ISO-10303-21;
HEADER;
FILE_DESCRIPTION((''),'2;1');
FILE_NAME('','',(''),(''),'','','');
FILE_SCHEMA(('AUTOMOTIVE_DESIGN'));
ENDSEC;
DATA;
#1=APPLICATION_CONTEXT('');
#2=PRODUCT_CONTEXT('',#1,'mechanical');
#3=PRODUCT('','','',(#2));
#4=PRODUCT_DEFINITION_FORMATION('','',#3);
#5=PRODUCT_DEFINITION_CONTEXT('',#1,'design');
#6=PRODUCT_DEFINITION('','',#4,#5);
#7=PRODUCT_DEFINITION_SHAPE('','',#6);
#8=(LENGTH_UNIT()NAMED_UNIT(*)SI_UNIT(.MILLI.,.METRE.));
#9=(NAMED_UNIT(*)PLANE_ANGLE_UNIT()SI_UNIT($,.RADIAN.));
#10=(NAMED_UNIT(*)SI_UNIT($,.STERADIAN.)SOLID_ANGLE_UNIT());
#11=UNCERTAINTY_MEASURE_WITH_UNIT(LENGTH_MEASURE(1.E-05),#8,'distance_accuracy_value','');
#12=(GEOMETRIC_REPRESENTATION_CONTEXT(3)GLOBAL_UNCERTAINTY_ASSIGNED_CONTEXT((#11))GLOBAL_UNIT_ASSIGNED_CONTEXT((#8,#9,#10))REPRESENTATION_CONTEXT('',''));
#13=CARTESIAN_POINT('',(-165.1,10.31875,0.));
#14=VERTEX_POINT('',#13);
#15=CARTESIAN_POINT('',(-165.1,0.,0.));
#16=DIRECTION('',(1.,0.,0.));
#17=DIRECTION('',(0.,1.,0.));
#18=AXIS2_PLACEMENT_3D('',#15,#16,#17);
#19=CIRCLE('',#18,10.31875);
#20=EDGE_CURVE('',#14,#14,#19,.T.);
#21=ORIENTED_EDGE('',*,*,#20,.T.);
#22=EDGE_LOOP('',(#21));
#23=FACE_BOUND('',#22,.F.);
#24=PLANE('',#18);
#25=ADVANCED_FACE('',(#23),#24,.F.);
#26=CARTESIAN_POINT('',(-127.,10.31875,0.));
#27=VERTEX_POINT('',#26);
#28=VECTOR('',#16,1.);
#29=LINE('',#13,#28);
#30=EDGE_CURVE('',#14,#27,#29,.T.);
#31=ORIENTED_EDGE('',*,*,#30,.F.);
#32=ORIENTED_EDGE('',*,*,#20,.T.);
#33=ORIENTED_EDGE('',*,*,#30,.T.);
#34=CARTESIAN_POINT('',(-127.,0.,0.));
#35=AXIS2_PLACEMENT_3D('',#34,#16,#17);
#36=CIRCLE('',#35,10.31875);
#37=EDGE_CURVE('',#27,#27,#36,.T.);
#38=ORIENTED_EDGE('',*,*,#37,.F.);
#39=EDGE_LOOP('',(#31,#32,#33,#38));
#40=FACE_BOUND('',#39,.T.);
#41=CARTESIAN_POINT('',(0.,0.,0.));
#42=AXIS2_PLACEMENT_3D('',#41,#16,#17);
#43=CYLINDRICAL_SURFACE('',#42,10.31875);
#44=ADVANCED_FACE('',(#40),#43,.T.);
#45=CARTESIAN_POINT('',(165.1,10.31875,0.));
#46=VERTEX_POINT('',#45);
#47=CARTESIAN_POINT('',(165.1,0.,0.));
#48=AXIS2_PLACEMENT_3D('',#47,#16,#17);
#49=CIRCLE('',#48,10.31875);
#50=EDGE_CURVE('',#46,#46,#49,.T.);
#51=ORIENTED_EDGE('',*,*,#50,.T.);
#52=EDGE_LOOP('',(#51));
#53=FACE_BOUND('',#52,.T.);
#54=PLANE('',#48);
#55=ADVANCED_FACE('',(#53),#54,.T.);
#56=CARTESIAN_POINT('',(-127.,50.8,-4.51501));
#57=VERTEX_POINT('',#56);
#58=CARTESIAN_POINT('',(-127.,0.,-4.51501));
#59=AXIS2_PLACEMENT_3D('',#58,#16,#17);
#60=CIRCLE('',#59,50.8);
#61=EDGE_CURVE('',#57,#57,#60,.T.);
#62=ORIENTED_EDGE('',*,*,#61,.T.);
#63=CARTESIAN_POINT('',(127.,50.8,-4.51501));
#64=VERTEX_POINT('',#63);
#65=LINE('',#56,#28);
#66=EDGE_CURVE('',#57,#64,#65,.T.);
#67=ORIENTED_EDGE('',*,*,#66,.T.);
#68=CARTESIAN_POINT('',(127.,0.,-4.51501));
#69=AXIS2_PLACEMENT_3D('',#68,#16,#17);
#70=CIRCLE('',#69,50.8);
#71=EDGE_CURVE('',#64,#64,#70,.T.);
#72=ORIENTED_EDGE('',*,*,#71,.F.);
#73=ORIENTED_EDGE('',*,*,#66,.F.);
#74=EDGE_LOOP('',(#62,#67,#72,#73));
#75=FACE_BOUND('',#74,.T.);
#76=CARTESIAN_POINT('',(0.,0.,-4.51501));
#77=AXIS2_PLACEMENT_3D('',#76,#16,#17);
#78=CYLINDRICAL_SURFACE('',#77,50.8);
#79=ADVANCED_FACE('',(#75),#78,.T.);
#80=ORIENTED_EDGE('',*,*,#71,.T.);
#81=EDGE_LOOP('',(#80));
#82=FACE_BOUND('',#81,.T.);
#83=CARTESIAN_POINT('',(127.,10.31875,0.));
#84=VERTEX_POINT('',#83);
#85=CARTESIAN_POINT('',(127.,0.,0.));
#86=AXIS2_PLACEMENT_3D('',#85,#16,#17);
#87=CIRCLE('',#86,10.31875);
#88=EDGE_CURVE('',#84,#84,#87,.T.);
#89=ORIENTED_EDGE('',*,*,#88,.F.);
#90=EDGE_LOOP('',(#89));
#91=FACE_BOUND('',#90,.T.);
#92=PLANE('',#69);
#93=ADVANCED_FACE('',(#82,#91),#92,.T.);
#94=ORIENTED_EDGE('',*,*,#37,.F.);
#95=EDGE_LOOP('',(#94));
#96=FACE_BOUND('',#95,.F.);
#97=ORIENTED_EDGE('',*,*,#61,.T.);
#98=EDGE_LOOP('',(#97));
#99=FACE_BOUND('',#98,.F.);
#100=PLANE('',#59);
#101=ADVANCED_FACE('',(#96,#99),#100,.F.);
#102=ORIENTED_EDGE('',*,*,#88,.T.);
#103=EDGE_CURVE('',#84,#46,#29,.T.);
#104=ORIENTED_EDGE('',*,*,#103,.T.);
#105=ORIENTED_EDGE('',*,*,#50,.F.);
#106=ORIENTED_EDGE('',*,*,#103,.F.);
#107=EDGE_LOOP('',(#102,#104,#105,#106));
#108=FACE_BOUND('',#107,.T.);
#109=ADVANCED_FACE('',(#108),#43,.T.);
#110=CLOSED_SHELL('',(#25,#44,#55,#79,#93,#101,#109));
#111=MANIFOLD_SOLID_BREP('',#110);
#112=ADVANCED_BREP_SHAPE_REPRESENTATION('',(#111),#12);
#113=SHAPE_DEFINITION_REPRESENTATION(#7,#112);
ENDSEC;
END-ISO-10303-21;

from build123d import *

# Parameters (mm, degrees)
F0_R     = 10.31875
F1_DEPTH = 165.1
F2_R     = 50.8
F3_DEPTH = 127


with BuildPart() as f1:
    # F0 (on Right) → F1 (new body, symmetric)
    with BuildSketch(Plane.YZ):
        Circle(F0_R)
    extrude(amount=F1_DEPTH, both=True)

    # F2 (on Right) → F3 (join, symmetric)
    with BuildSketch(Plane.YZ):
        with Locations((0, -4.51501)):
            Circle(F2_R)
    extrude(amount=F3_DEPTH, both=True)


solid = f1.part
